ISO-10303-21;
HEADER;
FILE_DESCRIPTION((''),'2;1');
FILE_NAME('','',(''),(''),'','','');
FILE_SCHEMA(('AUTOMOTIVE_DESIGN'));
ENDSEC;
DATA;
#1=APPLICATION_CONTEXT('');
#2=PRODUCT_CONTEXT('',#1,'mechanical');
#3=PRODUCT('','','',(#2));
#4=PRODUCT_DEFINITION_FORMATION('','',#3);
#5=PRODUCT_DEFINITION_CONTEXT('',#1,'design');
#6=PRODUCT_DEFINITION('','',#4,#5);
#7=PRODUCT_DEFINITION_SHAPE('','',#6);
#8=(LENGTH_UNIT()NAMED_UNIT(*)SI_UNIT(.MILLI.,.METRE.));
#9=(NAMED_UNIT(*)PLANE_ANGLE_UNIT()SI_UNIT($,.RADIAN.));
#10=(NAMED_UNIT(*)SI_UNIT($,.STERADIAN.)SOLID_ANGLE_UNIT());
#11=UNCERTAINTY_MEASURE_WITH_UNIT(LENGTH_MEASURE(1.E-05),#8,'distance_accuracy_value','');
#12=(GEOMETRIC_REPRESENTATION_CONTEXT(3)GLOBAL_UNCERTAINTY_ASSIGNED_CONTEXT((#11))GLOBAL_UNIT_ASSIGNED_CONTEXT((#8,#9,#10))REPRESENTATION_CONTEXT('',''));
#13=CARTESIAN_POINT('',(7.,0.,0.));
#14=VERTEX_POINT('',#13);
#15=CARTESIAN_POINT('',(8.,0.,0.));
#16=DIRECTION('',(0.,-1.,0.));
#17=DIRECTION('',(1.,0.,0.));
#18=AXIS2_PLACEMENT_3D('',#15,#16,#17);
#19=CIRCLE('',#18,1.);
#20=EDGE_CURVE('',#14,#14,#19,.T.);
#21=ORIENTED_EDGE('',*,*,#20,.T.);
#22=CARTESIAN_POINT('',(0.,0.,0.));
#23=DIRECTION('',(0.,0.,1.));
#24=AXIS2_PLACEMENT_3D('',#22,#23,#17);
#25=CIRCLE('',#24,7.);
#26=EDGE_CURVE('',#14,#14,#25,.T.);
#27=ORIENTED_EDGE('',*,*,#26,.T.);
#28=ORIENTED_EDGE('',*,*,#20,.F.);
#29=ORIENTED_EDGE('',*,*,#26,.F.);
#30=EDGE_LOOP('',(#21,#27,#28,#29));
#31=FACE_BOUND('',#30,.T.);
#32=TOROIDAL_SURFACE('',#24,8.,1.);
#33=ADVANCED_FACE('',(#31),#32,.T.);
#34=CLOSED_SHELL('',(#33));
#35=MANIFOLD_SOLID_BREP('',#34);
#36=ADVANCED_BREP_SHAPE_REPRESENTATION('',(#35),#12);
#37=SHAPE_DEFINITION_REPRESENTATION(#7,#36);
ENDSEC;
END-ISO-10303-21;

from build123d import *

# Parameters (mm, degrees)
F1_R = 1


with BuildPart() as f2:
    # F2: sweep along a path in F0
    with BuildLine(Plane.XY) as f2_path:
        CenterArc((0, 0), 8, 0, 360)
    # F1 (on Right) → F2 (sweep)
    with BuildSketch(Plane.YZ):
        with Locations((-8, 0)):
            Circle(F1_R)
    sweep(path=f2_path.line)


solid = f2.part
